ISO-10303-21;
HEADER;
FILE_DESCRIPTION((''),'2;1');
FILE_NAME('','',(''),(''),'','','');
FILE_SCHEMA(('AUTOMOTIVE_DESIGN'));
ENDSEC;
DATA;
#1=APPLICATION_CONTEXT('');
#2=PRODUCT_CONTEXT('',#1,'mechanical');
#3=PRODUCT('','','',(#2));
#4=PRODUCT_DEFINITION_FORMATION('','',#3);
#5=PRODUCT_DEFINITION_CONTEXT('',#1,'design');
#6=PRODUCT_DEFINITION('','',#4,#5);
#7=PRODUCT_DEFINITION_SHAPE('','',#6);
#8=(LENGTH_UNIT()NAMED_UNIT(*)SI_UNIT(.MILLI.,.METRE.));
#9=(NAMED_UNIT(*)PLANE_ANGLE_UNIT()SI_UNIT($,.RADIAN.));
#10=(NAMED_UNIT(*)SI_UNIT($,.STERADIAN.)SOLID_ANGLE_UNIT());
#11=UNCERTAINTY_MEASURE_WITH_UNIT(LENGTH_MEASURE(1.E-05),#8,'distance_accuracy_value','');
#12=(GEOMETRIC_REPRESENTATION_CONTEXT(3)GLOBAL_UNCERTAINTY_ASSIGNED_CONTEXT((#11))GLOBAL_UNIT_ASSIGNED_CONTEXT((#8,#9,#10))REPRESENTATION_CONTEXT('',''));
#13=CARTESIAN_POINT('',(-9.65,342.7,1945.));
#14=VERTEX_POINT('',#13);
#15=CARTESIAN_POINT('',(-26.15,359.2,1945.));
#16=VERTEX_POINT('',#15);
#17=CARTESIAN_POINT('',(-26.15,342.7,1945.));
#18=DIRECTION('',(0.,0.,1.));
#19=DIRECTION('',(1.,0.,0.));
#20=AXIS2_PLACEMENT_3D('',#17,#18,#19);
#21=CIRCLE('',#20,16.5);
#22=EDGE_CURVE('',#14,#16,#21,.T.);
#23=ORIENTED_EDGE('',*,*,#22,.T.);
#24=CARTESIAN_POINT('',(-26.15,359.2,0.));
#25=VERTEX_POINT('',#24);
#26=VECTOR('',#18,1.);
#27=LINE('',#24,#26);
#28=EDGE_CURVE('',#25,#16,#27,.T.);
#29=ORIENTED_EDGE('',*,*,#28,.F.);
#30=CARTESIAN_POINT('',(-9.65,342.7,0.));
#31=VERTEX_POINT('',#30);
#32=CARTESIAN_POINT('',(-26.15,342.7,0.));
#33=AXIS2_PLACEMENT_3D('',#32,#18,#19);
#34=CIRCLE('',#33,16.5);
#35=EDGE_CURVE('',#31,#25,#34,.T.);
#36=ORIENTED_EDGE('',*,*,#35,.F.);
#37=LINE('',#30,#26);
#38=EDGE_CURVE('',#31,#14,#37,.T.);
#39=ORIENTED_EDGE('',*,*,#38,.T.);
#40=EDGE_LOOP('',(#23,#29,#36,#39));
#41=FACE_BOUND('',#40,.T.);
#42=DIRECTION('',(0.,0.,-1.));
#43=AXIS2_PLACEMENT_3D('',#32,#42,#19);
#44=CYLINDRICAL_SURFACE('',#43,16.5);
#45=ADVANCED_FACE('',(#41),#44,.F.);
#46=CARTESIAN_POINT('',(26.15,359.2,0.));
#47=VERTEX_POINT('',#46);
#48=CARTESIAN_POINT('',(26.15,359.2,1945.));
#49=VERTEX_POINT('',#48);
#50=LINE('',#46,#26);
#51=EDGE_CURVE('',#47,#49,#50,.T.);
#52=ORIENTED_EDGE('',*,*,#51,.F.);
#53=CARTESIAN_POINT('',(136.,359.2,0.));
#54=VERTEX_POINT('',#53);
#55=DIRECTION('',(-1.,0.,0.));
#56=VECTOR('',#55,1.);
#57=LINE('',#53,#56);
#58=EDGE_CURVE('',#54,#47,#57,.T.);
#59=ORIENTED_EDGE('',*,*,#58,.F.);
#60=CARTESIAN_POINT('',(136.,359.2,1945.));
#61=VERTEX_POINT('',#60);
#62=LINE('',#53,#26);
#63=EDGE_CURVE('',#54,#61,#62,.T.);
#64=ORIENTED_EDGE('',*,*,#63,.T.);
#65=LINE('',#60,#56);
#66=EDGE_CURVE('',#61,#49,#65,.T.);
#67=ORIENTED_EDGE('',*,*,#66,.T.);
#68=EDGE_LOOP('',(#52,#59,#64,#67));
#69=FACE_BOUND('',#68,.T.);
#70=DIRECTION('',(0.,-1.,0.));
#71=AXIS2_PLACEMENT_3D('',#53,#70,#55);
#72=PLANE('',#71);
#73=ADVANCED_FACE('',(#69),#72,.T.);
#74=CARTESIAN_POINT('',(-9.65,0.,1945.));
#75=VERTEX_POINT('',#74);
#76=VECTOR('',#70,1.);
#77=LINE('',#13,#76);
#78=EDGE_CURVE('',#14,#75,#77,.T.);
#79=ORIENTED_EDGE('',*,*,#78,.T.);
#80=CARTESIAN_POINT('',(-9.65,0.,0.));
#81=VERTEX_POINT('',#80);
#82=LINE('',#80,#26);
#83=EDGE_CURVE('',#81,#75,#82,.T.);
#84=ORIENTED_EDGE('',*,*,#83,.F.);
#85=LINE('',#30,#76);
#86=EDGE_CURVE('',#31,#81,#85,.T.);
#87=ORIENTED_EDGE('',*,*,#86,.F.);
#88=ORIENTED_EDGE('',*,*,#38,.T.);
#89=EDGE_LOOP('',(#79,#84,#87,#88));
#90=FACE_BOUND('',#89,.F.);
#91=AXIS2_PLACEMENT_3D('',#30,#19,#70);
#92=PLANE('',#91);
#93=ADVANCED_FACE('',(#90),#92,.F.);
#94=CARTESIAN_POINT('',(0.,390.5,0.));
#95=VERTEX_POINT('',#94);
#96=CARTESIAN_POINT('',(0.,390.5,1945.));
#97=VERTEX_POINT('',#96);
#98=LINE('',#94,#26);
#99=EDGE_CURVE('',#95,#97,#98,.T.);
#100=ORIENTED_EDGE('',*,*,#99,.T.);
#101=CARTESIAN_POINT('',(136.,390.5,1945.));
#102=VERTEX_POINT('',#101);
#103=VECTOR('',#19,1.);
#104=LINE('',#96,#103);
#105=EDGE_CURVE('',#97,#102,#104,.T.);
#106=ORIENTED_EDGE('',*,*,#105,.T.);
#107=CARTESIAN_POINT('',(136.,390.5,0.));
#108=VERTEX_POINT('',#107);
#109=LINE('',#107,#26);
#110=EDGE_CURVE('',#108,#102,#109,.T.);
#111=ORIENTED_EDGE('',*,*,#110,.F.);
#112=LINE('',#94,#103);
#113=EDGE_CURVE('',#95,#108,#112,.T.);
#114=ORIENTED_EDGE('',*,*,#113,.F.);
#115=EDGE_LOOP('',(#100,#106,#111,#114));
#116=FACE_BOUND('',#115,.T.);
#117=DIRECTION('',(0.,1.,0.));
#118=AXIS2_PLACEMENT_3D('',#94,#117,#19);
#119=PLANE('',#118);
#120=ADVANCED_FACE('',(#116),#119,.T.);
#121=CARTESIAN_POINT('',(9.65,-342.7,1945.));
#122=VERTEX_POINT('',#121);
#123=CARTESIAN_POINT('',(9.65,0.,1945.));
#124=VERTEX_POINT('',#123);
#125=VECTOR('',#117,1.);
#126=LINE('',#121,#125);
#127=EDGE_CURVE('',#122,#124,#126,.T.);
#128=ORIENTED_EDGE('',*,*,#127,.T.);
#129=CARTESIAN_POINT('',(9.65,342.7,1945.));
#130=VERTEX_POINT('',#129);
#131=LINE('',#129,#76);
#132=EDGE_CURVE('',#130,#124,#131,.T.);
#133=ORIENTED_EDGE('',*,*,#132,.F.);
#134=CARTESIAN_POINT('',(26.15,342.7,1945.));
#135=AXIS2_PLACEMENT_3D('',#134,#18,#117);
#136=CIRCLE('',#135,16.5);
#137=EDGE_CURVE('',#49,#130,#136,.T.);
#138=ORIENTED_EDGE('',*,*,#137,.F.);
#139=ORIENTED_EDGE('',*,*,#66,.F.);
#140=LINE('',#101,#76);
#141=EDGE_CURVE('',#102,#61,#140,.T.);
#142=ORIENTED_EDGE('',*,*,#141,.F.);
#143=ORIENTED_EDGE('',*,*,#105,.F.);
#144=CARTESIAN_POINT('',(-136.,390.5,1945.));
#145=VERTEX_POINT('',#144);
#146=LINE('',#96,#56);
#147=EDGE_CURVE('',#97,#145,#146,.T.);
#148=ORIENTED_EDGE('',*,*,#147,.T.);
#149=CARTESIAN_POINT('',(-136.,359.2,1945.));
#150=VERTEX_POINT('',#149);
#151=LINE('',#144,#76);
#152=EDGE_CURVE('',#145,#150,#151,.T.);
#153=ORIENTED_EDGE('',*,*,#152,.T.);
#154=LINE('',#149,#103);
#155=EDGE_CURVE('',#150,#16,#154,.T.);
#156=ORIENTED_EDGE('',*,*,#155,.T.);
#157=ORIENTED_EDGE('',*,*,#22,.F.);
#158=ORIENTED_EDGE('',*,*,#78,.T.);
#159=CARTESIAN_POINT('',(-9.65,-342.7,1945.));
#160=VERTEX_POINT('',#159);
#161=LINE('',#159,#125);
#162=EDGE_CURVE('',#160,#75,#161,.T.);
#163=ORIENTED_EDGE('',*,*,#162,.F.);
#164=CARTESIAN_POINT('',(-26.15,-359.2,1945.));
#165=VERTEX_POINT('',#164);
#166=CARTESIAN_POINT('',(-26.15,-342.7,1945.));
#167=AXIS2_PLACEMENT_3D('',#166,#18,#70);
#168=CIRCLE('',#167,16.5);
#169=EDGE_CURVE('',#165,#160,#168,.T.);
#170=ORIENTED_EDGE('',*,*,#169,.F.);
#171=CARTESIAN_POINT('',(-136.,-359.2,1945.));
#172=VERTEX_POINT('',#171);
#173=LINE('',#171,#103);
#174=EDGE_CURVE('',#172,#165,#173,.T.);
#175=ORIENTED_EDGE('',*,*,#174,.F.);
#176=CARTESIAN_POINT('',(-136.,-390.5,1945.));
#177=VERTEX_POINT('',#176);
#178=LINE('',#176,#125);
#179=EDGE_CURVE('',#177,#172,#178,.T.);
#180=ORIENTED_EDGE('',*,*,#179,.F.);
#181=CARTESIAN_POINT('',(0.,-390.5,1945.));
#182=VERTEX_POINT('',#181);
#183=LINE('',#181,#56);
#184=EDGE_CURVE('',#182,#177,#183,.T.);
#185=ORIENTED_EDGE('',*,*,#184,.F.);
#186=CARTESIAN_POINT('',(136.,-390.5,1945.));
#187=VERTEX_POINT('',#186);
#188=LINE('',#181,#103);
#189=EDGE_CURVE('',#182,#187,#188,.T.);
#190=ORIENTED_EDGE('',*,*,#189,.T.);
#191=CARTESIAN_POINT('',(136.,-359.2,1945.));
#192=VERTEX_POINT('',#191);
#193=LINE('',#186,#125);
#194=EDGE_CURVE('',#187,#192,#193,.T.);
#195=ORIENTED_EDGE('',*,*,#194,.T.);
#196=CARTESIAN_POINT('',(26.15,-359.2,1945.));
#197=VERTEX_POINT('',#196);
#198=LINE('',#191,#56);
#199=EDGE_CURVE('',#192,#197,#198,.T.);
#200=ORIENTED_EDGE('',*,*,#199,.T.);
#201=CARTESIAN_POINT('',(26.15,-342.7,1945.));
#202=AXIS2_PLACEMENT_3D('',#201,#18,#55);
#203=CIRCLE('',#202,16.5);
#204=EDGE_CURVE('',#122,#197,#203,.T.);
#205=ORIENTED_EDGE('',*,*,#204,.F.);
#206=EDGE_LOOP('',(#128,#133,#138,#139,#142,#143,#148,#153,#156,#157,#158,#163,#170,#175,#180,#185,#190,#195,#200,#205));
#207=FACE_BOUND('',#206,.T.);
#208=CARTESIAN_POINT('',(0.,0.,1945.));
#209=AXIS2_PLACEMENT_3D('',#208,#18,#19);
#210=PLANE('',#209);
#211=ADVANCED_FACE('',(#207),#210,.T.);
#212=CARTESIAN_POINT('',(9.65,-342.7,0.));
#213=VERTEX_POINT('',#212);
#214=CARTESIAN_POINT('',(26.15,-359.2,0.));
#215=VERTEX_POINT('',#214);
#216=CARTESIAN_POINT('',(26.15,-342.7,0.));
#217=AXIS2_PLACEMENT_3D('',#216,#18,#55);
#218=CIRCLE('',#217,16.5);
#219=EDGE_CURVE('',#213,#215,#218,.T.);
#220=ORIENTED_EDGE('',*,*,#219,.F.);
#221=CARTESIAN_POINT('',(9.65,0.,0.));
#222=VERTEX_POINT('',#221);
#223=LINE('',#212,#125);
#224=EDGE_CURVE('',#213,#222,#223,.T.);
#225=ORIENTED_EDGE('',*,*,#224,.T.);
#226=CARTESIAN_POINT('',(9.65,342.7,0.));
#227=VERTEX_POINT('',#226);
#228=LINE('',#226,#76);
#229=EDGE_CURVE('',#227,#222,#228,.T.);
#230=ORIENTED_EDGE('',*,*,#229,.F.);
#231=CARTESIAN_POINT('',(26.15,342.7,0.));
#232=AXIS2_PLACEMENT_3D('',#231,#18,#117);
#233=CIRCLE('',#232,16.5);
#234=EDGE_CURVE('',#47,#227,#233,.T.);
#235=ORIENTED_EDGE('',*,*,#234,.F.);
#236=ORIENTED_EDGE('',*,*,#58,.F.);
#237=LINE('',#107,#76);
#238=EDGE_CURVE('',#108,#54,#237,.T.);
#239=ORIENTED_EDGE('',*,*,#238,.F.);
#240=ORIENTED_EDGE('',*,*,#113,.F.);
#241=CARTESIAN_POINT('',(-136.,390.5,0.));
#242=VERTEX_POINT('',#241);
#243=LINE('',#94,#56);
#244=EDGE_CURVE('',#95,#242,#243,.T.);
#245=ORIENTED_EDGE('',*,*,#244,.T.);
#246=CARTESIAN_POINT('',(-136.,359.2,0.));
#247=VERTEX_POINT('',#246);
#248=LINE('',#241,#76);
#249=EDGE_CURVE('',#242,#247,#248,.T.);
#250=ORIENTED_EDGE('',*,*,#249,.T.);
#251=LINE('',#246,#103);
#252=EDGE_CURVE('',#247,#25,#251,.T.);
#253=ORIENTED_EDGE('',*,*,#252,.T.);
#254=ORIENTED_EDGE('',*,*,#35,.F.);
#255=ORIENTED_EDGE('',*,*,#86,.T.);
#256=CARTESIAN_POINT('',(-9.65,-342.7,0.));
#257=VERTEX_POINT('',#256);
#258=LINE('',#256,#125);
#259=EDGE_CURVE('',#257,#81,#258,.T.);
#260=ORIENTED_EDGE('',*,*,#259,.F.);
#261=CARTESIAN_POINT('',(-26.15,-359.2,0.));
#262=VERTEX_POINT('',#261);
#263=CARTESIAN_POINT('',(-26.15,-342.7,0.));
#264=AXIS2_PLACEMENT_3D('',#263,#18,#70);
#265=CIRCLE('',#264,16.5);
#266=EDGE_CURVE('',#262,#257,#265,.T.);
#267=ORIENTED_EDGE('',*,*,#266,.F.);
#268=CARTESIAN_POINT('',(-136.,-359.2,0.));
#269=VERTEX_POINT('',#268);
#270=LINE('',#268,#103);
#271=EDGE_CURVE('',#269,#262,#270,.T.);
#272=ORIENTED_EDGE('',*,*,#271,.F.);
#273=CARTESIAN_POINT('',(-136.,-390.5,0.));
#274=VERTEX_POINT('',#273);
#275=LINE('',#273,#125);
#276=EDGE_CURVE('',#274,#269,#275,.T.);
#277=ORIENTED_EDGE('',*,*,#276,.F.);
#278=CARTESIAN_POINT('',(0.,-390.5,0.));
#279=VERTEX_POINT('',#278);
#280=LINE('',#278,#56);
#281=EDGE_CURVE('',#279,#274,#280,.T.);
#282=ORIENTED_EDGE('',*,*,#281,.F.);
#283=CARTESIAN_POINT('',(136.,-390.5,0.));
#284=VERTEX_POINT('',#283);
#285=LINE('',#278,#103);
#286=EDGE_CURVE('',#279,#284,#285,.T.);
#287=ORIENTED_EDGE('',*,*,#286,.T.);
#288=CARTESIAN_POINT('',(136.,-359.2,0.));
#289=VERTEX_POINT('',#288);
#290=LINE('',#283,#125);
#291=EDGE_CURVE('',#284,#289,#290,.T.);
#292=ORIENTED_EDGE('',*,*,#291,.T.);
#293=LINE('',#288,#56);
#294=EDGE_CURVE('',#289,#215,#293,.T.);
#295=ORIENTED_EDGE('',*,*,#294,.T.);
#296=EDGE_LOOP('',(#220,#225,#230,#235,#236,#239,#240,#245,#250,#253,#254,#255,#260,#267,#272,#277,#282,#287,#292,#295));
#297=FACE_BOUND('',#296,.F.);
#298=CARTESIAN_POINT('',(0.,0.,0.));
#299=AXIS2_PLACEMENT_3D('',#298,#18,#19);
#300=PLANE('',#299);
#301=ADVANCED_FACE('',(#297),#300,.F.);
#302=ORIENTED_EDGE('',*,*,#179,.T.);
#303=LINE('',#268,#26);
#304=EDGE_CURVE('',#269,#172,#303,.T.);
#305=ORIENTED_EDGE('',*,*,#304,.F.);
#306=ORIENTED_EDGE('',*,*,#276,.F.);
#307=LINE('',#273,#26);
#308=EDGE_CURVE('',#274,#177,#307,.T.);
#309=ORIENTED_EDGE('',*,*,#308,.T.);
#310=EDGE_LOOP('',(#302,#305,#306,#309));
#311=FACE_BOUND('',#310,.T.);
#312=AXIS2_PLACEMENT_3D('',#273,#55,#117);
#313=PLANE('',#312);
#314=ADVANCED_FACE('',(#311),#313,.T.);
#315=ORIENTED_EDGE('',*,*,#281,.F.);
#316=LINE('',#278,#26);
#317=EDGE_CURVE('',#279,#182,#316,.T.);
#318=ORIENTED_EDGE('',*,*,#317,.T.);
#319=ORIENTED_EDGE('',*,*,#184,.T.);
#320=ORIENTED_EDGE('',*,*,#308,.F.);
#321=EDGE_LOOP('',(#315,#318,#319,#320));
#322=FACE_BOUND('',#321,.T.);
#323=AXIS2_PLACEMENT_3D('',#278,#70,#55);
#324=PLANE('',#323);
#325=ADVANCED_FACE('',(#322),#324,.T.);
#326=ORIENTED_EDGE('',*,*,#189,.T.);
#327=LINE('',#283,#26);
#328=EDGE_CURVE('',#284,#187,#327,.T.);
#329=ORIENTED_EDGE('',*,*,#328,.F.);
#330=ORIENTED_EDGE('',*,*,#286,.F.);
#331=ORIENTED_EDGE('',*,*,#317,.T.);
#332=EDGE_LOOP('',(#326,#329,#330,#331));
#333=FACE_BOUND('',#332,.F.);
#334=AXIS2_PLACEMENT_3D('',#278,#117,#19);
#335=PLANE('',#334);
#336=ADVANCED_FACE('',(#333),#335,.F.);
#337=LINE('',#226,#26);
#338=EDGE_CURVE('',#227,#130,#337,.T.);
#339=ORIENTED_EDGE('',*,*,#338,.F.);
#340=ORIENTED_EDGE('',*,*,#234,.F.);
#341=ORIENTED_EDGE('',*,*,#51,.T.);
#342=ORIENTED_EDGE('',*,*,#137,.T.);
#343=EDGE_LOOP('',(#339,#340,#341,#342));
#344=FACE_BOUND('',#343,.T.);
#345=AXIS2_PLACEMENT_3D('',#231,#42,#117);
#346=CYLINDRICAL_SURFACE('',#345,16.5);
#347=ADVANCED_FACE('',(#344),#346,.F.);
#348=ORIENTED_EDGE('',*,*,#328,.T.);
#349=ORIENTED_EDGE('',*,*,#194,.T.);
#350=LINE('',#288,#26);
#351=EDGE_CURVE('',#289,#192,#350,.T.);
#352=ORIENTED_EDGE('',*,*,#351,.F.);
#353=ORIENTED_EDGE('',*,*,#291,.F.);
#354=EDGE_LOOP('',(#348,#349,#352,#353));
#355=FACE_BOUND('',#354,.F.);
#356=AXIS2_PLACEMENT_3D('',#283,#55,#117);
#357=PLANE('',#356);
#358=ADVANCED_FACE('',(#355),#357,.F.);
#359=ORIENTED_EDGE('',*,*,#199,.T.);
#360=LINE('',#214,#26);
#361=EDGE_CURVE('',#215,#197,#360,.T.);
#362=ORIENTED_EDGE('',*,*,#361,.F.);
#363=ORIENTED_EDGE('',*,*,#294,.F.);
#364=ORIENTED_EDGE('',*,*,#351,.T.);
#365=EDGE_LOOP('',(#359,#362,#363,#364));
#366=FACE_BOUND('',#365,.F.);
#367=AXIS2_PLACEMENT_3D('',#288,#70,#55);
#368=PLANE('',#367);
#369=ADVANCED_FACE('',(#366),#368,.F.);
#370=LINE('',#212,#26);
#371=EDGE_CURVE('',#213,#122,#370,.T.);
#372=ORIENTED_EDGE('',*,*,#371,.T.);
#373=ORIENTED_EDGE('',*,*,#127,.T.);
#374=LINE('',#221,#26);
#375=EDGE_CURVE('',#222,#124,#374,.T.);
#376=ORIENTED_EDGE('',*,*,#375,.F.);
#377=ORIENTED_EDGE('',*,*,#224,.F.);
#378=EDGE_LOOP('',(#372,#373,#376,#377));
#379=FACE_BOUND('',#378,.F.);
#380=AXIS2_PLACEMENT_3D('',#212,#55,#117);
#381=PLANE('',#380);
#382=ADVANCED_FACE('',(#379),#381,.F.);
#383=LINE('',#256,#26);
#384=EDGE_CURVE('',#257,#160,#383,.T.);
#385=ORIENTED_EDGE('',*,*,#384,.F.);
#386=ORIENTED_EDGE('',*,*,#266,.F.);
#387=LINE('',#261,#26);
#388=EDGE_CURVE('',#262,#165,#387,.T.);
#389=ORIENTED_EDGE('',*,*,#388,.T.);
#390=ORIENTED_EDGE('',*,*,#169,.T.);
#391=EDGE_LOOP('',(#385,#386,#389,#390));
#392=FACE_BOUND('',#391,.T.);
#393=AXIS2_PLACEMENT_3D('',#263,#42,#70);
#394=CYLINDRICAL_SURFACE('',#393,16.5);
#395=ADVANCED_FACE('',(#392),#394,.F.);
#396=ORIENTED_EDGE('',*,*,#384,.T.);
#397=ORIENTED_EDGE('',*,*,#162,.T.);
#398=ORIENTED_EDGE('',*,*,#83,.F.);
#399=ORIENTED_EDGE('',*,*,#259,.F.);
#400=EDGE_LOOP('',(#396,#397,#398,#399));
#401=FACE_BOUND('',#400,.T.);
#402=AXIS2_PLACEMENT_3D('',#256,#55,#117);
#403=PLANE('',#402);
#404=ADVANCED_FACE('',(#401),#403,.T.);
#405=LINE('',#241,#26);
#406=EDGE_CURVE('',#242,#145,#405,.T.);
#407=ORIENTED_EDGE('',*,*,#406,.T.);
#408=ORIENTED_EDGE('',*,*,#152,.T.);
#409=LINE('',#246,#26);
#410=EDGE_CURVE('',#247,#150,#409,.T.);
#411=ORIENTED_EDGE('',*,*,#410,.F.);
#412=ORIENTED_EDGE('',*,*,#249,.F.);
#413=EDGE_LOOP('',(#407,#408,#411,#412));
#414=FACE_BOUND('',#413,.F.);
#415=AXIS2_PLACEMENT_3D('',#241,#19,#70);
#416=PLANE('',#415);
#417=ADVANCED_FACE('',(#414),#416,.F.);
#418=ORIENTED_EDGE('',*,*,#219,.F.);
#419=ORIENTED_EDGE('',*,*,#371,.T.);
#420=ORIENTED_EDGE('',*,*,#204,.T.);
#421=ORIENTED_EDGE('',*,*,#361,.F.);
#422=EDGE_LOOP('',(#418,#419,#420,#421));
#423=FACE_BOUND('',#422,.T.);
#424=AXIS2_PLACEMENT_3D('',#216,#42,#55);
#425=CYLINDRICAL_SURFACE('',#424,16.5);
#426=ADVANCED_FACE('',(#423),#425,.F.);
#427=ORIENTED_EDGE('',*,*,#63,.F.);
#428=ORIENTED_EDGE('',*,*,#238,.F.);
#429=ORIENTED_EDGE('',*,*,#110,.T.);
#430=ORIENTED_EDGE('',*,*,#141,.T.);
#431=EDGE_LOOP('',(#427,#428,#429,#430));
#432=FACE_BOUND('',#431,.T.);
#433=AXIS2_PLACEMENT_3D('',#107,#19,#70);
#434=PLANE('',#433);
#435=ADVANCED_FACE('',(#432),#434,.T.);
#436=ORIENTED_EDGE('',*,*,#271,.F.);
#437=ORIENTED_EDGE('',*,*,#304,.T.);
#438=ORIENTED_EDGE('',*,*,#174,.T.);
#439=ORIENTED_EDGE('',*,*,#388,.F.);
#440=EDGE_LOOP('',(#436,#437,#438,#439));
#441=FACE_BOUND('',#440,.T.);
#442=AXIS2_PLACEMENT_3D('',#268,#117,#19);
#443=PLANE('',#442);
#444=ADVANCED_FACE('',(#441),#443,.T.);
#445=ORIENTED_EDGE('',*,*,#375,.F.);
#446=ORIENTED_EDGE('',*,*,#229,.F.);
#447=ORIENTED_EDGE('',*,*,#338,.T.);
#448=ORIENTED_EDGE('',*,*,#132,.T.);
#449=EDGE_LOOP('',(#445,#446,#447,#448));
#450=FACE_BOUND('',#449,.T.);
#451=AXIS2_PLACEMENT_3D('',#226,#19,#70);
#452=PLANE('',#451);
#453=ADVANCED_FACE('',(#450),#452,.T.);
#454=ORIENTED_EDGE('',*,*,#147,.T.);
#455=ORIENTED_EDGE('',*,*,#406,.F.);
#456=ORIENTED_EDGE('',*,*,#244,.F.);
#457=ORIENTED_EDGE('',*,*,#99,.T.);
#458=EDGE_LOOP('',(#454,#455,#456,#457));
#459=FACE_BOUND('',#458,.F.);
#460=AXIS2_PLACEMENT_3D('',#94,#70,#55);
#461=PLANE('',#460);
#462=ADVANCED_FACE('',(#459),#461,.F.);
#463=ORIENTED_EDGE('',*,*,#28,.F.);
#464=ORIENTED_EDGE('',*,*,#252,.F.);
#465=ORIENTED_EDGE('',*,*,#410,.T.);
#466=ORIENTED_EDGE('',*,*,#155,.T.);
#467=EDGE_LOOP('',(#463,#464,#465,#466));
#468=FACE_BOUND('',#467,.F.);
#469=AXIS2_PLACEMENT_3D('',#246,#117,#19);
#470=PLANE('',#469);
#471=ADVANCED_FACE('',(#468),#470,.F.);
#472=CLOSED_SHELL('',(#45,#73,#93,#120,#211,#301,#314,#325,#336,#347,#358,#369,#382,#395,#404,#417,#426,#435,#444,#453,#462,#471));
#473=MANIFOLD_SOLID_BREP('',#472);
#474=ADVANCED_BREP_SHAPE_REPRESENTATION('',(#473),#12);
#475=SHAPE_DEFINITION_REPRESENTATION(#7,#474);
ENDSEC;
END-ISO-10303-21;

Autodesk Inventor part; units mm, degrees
ref_plane "YZ Plane" through (0, 0, 0) normal (1, 0, 0) x (0, 1, 0)
ref_plane "Start plane" through (0, 0, 0) normal (0, 0, 1) x (1, 0, 0)
ref_plane "End plane" through (0, 0, 1945) normal (0, 0, 1) x (1, 0, 0)
sketch "Sketch" plane through (0, 0, 0) normal (0, 0, 1) x (1, 0, 0)
  line L0 (-136, -390.5) -> (-136, -359.2)
  line L1 (-136, -359.2) -> (-26.15, -359.2)
  line L2 (-9.65, -342.7) -> (-9.65, 0)
  line L3 (-9.65, 0) -> (0, 0) construction
  line L4 (0, 0) -> (0, -390.5) construction
  line L5 (0, -390.5) -> (-136, -390.5)
  line L6 (-60, 0) -> (80, 0) construction
  line L7 (0, -60) -> (0, 80) construction
  line L8 (136, -390.5) -> (136, -359.2)
  line L9 (136, -359.2) -> (26.15, -359.2)
  line L10 (9.65, -342.7) -> (9.65, 0)
  line L11 (9.65, 0) -> (0, 0) construction
  line L12 (0, -390.5) -> (136, -390.5)
  line L13 (-136, 390.5) -> (-136, 359.2)
  line L14 (-136, 359.2) -> (-26.15, 359.2)
  line L15 (-9.65, 342.7) -> (-9.65, 0)
  line L16 (0, 390.5) -> (-136, 390.5)
  line L17 (136, 390.5) -> (136, 359.2)
  line L18 (136, 359.2) -> (26.15, 359.2)
  line L19 (0, 390.5) -> (136, 390.5)
  line L20 (9.65, 342.7) -> (9.65, 0)
  arc A0 (-9.65, 342.7) -> (-26.15, 359.2) centre (-26.15, 342.7) ccw
  arc A1 (26.15, 359.2) -> (9.65, 342.7) centre (26.15, 342.7) ccw
  arc A2 (9.65, -342.7) -> (26.15, -359.2) centre (26.15, -342.7) ccw
  arc A3 (-26.15, -359.2) -> (-9.65, -342.7) centre (-26.15, -342.7) ccw
  line L21 (0, 108) -> (0, -88) construction
  line L22 (-88, 0) -> (108, 0) construction
  point P0 (-9.65, -359.2)
  point P1 (9.65, -359.2)
  point P2 (-9.65, 359.2)
  point P3 (9.65, 359.2)
  dimension "d1" = 390.5
  dimension "d2" = 31.3
  dimension "d3" = 136
  dimension "d4" = 9.65
  dimension "d10" = 16.5
extrude "Body" add sketch "Sketch" along normal up to surface (1945 mm away) from surface at 0
sketch "Sketch4" plane through (0, 0, 0) normal (0, 0, 1) x (1, 0, 0)
  line L0 (0, 0) -> (10, 0)
ref_plane "Work Plane3" through (0, 0, 0) normal (0, -1, 0) x (1, 0, 0)
sketch "Sketch5" plane through (0, 0, 0) normal (0, -1, 0) x (1, 0, 0)
  line L0 (-2, 0) -> (12, 0) projected
  line L1 (-2, 1945) -> (12, 1945) projected
  dimension "d14" = 1945
equation "\"d1\" = 0.5 * G_H"
equation "\"d2\" = G_T1"
equation "\"d3\" = 0.5 * G_W"
equation "\"d4\" = 0.5 * G_T"
equation "\"d10\" = G_IR"
equation "\"d5\" = G_L"
equation "\"G_W\" = 272"
equation "\"G_H\" = 781"
equation "\"G_T\" = 19.3"
equation "\"G_T1\" = 31.3"
equation "\"G_IR\" = 16.5"
equation "\"G_L\" = d14"
equation "\"G_OFFSET_START\" = 0"
equation "\"G_OFFSET_END\" = 0"
equation "\"d12\" = G_OFFSET_END + B_L"
equation "\"B_L\" = 1945"
properties part number "AS 3679-1990 - 760 UB - 244 - 1945" material "Steel, Mild"
